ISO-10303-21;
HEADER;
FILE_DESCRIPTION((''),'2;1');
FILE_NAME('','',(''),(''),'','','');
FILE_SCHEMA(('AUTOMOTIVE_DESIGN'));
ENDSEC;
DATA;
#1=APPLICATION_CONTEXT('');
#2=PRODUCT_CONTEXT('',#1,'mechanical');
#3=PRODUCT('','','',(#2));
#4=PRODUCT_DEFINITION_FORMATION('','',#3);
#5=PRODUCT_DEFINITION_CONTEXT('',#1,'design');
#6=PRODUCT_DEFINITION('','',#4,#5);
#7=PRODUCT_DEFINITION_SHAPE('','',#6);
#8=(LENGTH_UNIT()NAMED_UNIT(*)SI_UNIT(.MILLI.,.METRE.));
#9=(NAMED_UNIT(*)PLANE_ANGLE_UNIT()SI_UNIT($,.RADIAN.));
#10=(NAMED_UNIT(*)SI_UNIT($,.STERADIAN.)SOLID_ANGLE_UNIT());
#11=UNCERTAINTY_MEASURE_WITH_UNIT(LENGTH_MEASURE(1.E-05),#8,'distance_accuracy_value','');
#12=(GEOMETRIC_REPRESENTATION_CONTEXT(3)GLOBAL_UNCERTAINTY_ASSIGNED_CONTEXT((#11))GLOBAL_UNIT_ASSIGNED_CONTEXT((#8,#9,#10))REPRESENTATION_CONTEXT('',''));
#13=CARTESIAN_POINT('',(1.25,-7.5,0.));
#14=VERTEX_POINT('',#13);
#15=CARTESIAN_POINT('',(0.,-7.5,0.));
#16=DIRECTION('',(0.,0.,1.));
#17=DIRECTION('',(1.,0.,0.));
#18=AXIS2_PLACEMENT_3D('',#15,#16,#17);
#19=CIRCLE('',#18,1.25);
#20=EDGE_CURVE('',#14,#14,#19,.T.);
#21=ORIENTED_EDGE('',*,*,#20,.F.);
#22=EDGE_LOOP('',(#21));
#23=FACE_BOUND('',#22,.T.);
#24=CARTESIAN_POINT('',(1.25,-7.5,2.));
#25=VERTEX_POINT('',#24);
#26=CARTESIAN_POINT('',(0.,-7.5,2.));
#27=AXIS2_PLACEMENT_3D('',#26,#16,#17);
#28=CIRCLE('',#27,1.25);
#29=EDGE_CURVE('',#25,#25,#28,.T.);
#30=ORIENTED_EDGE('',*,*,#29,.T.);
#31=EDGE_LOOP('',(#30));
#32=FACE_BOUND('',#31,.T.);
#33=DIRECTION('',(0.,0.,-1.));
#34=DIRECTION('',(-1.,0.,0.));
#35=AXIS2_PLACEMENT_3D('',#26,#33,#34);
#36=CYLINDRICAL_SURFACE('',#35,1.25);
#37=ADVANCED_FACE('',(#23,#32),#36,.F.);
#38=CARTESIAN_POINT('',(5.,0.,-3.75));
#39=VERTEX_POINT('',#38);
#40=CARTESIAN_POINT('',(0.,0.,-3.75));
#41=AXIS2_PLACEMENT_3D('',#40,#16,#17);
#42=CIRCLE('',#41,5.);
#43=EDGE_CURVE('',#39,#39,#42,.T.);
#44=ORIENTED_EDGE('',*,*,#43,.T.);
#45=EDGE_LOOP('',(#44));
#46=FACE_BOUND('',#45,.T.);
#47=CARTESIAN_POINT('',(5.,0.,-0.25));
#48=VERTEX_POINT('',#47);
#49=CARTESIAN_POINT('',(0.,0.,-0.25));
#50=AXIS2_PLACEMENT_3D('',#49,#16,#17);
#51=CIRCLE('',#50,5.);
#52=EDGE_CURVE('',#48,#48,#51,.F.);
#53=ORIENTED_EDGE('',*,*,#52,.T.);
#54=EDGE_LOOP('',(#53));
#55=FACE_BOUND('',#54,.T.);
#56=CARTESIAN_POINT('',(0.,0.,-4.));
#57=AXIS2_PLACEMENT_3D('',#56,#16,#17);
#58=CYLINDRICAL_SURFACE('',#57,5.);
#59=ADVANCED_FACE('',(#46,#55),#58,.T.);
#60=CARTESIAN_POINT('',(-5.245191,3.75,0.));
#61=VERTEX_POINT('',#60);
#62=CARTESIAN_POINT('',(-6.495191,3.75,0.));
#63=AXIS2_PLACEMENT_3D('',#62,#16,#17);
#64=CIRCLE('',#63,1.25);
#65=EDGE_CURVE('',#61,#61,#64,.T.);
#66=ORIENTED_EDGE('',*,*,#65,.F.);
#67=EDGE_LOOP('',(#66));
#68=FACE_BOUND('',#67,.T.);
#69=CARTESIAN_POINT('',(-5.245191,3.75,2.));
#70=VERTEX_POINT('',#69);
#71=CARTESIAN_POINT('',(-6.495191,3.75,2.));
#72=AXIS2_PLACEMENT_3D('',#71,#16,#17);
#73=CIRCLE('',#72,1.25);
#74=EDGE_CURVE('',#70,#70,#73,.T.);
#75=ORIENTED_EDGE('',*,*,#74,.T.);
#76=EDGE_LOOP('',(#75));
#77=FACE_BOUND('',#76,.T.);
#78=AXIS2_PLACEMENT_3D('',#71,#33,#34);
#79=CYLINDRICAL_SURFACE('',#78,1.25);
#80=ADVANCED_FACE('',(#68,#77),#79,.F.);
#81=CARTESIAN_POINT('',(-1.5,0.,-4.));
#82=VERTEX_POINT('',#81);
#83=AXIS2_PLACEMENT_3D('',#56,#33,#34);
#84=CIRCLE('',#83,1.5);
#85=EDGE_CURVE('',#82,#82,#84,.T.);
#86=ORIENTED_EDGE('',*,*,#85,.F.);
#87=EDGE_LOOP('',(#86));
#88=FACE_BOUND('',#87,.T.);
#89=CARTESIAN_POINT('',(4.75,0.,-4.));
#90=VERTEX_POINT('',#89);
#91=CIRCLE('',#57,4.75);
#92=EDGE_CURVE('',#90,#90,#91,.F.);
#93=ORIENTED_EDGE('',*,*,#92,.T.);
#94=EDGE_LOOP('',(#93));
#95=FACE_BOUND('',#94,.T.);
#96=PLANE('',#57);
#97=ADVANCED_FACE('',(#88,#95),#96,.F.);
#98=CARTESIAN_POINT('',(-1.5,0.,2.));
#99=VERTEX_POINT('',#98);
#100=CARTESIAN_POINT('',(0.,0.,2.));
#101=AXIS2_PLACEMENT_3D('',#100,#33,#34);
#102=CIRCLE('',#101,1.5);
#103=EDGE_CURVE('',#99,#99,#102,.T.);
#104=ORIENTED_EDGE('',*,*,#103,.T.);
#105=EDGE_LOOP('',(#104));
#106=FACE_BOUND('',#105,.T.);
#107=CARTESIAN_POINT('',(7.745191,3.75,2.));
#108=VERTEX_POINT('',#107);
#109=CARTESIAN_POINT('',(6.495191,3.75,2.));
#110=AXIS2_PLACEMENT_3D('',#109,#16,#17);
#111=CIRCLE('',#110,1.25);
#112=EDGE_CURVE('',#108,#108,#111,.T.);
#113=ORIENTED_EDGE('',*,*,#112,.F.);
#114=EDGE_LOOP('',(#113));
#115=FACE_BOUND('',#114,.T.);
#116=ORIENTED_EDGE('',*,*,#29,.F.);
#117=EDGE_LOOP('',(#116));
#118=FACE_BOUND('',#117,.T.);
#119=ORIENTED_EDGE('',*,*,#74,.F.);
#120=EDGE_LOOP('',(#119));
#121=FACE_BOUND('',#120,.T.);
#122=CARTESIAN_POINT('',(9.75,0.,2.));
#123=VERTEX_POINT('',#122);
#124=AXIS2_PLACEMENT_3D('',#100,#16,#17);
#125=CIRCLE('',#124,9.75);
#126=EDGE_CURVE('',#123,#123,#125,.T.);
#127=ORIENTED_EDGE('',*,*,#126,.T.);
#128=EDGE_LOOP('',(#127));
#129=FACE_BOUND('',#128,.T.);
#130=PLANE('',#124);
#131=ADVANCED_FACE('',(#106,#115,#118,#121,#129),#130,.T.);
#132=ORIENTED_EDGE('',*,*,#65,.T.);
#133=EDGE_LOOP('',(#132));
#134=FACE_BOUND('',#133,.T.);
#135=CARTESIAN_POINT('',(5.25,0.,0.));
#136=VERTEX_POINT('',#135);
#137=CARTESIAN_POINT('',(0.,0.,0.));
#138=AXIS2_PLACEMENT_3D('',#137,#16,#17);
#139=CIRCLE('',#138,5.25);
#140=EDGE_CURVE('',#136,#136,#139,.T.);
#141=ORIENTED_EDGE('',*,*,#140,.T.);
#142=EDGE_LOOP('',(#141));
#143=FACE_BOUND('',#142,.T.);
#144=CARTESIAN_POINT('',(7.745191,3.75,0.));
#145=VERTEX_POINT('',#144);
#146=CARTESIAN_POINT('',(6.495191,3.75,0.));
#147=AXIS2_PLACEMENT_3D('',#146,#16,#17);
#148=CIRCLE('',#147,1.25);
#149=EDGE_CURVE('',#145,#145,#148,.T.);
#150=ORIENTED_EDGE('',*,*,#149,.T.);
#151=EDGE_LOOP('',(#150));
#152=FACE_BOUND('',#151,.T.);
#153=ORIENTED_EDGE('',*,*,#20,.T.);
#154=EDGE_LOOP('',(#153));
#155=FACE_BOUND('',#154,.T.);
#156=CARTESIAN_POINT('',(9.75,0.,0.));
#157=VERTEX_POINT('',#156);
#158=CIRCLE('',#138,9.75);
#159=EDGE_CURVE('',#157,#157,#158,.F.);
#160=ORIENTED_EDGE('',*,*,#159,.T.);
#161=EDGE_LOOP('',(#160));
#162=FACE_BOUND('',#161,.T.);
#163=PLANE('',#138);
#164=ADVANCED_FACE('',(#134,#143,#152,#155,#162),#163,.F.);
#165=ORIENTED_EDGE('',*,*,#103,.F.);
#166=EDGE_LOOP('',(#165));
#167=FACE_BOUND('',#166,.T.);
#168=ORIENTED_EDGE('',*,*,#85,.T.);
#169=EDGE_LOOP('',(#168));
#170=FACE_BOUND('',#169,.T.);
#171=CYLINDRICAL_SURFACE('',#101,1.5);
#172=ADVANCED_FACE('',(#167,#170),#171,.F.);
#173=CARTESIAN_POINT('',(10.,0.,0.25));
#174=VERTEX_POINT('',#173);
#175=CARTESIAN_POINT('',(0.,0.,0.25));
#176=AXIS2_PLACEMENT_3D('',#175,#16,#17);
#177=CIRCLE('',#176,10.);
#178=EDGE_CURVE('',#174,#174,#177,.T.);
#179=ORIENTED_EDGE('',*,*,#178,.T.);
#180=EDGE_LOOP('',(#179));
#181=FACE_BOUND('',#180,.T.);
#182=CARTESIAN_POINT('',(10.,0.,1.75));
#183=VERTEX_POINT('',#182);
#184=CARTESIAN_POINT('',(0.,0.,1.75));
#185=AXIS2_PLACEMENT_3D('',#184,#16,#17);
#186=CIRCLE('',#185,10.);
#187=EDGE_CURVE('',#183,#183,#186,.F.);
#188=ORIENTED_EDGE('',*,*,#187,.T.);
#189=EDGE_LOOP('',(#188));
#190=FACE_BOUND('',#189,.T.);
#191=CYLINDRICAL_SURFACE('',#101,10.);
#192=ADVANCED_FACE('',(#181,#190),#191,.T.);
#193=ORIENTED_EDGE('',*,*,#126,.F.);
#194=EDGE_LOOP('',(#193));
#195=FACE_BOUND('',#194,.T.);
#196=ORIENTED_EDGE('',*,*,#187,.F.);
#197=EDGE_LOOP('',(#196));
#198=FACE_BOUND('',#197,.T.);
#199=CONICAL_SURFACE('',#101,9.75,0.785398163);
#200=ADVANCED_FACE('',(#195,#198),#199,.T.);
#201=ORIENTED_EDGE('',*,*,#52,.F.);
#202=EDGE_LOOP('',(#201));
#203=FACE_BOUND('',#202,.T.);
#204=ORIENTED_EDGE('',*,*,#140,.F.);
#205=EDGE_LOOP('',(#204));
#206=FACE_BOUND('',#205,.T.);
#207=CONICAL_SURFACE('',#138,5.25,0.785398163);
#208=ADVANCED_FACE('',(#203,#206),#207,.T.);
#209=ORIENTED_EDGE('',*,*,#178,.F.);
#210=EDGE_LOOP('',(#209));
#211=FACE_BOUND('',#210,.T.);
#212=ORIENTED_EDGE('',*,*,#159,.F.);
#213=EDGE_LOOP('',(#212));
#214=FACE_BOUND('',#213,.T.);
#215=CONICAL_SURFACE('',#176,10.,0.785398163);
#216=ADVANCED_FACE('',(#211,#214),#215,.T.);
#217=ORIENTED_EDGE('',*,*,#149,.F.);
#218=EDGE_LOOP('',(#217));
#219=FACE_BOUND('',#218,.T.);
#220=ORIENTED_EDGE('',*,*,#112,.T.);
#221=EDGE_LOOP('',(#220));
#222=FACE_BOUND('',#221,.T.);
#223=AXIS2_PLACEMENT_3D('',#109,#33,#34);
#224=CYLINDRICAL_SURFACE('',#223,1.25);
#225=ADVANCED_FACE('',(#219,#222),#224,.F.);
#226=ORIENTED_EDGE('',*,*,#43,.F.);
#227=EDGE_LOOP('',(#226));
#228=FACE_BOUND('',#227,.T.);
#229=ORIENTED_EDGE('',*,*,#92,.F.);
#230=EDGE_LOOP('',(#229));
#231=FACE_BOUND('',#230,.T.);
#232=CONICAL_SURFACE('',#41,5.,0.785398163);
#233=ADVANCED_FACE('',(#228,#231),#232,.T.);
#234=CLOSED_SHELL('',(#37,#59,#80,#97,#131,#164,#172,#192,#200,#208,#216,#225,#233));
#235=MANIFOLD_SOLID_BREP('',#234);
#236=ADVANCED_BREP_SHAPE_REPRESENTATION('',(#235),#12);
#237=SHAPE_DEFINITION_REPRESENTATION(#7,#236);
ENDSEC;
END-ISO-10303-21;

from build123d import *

# Parameters (mm, degrees)
SKETCH1_R           = 5
BOSS_EXTRUDE1_DEPTH = 4
SKETCH2_R           = 10
SKETCH2_R_2         = 1.25
BOSS_EXTRUDE2_DEPTH = 2
SKETCH3_R           = 1.5
CUT_EXTRUDE1_DEPTH  = 16.362291496
CHAMFER1_SIZE       = 0.25


with BuildPart() as part:
    # Sketch1 → Boss-Extrude1 (new body)
    with BuildSketch(Plane.XY):
        Circle(SKETCH1_R)
    extrude(amount=-BOSS_EXTRUDE1_DEPTH)

    # Sketch2 → Boss-Extrude2 (add)
    with BuildSketch(Plane.XY):
        Circle(SKETCH2_R)
        with Locations((-6.495190528, 3.75)):
            Circle(SKETCH2_R_2, mode=Mode.SUBTRACT)
        with Locations((6.495190528, 3.75)):
            Circle(SKETCH2_R_2, mode=Mode.SUBTRACT)
        with Locations((0, -7.5)):
            Circle(SKETCH2_R_2, mode=Mode.SUBTRACT)
    extrude(amount=BOSS_EXTRUDE2_DEPTH)

    # Sketch3 → Cut-Extrude1 (cut, through all)
    with BuildSketch(Plane(origin=(0, 0, -4), x_dir=(-1, 0, 0), z_dir=(0, 0, -1))):
        Circle(SKETCH3_R)
    extrude(amount=-CUT_EXTRUDE1_DEPTH, mode=Mode.SUBTRACT)

    # Chamfer1
    chamfer1_edges = [part.edges().sort_by_distance(p)[0] for p in [
        (-5, 0, 0),
        (-5, 0, -4),
        (-10, 0, 2),
        (-10, 0, 0),
    ]]
    chamfer(chamfer1_edges, length=CHAMFER1_SIZE)


solid = part.part
